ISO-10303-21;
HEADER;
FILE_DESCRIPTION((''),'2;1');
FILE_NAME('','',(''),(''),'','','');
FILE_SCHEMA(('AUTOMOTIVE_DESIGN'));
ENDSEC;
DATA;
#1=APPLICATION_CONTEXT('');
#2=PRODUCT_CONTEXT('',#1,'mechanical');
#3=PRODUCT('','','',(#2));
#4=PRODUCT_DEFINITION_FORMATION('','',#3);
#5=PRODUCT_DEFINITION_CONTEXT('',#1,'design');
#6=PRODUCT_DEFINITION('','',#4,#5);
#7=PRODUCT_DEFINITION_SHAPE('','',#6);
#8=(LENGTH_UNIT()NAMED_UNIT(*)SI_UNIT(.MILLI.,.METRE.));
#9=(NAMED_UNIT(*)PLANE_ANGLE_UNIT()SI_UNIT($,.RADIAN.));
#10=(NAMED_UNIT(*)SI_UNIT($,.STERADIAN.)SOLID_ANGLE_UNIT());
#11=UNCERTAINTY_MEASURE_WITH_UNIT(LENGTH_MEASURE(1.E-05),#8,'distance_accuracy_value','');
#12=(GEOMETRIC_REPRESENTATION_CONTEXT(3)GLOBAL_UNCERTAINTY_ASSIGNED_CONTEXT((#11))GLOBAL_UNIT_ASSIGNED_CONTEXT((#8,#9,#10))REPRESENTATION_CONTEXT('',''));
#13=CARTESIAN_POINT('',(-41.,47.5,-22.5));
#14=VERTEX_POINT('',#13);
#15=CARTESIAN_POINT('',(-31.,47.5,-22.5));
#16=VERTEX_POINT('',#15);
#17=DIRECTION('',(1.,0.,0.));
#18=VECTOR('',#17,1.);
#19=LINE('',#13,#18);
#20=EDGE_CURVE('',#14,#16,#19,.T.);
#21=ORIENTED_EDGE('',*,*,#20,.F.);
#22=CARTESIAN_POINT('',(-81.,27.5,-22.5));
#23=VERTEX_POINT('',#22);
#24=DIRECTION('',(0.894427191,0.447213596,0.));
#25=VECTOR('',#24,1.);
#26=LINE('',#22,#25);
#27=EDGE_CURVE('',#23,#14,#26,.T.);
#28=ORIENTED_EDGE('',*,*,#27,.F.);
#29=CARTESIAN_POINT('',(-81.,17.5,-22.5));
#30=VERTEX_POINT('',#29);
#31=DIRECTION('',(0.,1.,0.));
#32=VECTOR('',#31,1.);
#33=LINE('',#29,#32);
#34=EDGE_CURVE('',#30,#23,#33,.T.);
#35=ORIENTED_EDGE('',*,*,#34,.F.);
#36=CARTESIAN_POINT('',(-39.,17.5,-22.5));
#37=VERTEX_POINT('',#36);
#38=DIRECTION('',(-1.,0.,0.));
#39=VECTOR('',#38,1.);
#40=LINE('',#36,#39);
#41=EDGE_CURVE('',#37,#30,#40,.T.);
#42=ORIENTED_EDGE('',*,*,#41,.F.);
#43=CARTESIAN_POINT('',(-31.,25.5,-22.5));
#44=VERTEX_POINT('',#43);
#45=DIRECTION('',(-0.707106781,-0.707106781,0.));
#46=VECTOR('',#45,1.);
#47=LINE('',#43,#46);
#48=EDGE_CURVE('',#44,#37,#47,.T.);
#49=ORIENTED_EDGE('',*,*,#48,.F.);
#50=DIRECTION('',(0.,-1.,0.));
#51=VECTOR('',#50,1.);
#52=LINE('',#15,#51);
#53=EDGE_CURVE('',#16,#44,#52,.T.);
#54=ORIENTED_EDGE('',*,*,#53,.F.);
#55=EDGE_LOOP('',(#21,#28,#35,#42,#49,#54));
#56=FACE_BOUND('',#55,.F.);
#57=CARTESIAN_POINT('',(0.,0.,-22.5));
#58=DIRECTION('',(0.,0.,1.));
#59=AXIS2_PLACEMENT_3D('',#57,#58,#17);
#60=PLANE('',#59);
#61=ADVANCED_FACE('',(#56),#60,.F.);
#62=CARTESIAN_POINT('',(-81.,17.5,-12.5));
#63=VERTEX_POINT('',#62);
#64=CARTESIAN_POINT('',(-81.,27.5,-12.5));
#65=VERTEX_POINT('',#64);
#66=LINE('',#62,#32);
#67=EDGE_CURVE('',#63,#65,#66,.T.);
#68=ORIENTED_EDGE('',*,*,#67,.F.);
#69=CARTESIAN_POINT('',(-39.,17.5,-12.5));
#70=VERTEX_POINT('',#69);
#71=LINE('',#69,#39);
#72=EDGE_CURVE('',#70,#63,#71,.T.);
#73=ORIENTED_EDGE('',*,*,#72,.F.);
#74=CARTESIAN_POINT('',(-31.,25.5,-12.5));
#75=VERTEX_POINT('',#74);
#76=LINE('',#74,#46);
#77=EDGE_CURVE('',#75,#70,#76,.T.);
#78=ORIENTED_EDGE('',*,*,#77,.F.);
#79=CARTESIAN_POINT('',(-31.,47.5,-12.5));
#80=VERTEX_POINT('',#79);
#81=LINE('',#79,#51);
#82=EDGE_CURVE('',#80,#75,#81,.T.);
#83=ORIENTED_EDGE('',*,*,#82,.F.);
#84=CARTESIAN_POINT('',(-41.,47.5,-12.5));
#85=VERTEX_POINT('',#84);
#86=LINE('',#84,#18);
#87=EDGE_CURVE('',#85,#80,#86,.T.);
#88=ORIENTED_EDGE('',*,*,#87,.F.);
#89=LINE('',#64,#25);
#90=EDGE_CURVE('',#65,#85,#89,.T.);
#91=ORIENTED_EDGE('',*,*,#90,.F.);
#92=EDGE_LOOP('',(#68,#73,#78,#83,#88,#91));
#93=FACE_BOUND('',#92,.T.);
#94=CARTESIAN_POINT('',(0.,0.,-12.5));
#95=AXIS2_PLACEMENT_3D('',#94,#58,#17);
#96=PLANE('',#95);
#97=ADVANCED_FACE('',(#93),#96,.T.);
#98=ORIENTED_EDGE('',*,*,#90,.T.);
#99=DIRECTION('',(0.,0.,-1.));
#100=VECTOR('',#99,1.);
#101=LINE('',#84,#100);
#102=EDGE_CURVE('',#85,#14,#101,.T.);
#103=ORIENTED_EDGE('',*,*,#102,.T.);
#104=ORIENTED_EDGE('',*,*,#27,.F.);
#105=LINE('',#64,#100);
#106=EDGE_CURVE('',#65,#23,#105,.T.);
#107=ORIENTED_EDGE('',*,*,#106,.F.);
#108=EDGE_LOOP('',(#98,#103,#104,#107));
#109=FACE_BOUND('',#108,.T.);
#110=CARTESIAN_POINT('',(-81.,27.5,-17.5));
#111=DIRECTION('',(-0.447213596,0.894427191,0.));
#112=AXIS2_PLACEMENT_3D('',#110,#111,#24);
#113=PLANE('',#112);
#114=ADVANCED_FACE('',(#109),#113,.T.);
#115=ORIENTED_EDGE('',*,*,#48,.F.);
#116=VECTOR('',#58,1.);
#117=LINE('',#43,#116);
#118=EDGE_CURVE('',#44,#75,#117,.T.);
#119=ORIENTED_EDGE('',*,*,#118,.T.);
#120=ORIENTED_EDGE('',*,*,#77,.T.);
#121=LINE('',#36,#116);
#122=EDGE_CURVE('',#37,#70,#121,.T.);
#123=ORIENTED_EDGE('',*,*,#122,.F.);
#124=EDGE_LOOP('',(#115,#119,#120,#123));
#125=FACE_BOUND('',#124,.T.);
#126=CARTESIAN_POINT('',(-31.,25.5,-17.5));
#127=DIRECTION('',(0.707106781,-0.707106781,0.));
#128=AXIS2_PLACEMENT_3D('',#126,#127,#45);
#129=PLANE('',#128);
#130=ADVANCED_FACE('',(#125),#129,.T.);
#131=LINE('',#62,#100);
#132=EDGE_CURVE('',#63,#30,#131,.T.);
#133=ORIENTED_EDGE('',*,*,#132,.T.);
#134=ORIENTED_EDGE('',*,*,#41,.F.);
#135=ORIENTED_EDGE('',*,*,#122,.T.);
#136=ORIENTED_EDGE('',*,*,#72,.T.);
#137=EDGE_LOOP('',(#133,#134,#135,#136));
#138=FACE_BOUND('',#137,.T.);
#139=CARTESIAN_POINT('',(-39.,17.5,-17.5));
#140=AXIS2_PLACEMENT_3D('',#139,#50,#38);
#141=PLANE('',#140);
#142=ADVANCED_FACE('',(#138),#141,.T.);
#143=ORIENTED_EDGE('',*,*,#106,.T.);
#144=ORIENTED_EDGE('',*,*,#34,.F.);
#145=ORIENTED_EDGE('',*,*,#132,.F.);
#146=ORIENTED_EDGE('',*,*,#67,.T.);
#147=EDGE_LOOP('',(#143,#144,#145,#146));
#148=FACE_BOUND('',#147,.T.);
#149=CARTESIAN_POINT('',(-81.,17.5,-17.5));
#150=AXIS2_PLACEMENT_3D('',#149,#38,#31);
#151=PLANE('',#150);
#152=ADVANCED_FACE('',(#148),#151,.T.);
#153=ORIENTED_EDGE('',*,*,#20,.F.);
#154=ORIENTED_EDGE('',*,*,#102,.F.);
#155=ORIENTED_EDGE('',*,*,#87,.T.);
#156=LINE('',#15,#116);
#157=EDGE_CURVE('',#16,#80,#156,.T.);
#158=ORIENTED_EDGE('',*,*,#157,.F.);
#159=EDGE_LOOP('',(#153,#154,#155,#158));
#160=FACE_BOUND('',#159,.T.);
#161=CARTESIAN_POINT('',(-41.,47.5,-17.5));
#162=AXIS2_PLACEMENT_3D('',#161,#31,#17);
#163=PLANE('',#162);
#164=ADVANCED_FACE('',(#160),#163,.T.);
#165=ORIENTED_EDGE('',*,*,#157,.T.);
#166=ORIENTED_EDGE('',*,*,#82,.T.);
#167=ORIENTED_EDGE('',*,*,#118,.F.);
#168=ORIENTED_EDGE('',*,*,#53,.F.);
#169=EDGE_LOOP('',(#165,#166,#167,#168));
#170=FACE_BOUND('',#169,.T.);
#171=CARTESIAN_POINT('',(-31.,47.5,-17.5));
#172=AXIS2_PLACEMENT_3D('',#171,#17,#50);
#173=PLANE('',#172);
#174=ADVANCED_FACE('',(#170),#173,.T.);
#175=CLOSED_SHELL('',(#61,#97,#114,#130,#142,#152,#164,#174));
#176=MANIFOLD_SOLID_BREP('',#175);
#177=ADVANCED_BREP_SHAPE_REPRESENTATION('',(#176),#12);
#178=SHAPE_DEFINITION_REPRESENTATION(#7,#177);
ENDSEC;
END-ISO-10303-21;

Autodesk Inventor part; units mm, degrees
ref_plane "YZ Plane" through (0, 0, 0) normal (1, 0, 0) x (0, 1, 0)
ref_plane "XZ Plane" through (0, 0, 0) normal (0, 1, 0) x (-1, 0, 0)
ref_plane "XY Plane" through (0, 0, 0) normal (0, 0, 1) x (1, 0, 0)
ref_plane "Work Plane1" through (0, 0, -17.5) normal (0, 0, 1) x (1, 0, 0)
sketch "Sketch1" plane through (0, 0, -17.5) normal (0, 0, 1) x (1, 0, 0)
  line L0 (-31, 0) -> (-31, 120) construction
  line L1 (3, 17.5) -> (-715, 17.5) construction
  line L2 (-39, 17.5) -> (-81, 17.5)
  line L3 (-81, 17.5) -> (-81, 27.5)
  line L4 (-41, 47.5) -> (-31, 47.5)
  line L5 (-31, 47.5) -> (-31, 25.5)
  line L6 (-31, 25.5) -> (-39, 17.5)
  line L7 (-81, 27.5) -> (-41, 47.5)
  point P0 (0, 0)
  point P1 (-31, 17.5)
  point P2 (-81, 47.5)
  dimension "d0" = 50
  dimension "d1" = 30
  dimension "d2" = 8
  dimension "d3" = 8
  dimension "d4" = 20
  dimension "d5" = 40
extrude "Extrusion1" add sketch "Sketch1" along normal mid plane 10
equation "\"d3\" = d2"
properties part number "Gusset" material "Steel, Alloy"
